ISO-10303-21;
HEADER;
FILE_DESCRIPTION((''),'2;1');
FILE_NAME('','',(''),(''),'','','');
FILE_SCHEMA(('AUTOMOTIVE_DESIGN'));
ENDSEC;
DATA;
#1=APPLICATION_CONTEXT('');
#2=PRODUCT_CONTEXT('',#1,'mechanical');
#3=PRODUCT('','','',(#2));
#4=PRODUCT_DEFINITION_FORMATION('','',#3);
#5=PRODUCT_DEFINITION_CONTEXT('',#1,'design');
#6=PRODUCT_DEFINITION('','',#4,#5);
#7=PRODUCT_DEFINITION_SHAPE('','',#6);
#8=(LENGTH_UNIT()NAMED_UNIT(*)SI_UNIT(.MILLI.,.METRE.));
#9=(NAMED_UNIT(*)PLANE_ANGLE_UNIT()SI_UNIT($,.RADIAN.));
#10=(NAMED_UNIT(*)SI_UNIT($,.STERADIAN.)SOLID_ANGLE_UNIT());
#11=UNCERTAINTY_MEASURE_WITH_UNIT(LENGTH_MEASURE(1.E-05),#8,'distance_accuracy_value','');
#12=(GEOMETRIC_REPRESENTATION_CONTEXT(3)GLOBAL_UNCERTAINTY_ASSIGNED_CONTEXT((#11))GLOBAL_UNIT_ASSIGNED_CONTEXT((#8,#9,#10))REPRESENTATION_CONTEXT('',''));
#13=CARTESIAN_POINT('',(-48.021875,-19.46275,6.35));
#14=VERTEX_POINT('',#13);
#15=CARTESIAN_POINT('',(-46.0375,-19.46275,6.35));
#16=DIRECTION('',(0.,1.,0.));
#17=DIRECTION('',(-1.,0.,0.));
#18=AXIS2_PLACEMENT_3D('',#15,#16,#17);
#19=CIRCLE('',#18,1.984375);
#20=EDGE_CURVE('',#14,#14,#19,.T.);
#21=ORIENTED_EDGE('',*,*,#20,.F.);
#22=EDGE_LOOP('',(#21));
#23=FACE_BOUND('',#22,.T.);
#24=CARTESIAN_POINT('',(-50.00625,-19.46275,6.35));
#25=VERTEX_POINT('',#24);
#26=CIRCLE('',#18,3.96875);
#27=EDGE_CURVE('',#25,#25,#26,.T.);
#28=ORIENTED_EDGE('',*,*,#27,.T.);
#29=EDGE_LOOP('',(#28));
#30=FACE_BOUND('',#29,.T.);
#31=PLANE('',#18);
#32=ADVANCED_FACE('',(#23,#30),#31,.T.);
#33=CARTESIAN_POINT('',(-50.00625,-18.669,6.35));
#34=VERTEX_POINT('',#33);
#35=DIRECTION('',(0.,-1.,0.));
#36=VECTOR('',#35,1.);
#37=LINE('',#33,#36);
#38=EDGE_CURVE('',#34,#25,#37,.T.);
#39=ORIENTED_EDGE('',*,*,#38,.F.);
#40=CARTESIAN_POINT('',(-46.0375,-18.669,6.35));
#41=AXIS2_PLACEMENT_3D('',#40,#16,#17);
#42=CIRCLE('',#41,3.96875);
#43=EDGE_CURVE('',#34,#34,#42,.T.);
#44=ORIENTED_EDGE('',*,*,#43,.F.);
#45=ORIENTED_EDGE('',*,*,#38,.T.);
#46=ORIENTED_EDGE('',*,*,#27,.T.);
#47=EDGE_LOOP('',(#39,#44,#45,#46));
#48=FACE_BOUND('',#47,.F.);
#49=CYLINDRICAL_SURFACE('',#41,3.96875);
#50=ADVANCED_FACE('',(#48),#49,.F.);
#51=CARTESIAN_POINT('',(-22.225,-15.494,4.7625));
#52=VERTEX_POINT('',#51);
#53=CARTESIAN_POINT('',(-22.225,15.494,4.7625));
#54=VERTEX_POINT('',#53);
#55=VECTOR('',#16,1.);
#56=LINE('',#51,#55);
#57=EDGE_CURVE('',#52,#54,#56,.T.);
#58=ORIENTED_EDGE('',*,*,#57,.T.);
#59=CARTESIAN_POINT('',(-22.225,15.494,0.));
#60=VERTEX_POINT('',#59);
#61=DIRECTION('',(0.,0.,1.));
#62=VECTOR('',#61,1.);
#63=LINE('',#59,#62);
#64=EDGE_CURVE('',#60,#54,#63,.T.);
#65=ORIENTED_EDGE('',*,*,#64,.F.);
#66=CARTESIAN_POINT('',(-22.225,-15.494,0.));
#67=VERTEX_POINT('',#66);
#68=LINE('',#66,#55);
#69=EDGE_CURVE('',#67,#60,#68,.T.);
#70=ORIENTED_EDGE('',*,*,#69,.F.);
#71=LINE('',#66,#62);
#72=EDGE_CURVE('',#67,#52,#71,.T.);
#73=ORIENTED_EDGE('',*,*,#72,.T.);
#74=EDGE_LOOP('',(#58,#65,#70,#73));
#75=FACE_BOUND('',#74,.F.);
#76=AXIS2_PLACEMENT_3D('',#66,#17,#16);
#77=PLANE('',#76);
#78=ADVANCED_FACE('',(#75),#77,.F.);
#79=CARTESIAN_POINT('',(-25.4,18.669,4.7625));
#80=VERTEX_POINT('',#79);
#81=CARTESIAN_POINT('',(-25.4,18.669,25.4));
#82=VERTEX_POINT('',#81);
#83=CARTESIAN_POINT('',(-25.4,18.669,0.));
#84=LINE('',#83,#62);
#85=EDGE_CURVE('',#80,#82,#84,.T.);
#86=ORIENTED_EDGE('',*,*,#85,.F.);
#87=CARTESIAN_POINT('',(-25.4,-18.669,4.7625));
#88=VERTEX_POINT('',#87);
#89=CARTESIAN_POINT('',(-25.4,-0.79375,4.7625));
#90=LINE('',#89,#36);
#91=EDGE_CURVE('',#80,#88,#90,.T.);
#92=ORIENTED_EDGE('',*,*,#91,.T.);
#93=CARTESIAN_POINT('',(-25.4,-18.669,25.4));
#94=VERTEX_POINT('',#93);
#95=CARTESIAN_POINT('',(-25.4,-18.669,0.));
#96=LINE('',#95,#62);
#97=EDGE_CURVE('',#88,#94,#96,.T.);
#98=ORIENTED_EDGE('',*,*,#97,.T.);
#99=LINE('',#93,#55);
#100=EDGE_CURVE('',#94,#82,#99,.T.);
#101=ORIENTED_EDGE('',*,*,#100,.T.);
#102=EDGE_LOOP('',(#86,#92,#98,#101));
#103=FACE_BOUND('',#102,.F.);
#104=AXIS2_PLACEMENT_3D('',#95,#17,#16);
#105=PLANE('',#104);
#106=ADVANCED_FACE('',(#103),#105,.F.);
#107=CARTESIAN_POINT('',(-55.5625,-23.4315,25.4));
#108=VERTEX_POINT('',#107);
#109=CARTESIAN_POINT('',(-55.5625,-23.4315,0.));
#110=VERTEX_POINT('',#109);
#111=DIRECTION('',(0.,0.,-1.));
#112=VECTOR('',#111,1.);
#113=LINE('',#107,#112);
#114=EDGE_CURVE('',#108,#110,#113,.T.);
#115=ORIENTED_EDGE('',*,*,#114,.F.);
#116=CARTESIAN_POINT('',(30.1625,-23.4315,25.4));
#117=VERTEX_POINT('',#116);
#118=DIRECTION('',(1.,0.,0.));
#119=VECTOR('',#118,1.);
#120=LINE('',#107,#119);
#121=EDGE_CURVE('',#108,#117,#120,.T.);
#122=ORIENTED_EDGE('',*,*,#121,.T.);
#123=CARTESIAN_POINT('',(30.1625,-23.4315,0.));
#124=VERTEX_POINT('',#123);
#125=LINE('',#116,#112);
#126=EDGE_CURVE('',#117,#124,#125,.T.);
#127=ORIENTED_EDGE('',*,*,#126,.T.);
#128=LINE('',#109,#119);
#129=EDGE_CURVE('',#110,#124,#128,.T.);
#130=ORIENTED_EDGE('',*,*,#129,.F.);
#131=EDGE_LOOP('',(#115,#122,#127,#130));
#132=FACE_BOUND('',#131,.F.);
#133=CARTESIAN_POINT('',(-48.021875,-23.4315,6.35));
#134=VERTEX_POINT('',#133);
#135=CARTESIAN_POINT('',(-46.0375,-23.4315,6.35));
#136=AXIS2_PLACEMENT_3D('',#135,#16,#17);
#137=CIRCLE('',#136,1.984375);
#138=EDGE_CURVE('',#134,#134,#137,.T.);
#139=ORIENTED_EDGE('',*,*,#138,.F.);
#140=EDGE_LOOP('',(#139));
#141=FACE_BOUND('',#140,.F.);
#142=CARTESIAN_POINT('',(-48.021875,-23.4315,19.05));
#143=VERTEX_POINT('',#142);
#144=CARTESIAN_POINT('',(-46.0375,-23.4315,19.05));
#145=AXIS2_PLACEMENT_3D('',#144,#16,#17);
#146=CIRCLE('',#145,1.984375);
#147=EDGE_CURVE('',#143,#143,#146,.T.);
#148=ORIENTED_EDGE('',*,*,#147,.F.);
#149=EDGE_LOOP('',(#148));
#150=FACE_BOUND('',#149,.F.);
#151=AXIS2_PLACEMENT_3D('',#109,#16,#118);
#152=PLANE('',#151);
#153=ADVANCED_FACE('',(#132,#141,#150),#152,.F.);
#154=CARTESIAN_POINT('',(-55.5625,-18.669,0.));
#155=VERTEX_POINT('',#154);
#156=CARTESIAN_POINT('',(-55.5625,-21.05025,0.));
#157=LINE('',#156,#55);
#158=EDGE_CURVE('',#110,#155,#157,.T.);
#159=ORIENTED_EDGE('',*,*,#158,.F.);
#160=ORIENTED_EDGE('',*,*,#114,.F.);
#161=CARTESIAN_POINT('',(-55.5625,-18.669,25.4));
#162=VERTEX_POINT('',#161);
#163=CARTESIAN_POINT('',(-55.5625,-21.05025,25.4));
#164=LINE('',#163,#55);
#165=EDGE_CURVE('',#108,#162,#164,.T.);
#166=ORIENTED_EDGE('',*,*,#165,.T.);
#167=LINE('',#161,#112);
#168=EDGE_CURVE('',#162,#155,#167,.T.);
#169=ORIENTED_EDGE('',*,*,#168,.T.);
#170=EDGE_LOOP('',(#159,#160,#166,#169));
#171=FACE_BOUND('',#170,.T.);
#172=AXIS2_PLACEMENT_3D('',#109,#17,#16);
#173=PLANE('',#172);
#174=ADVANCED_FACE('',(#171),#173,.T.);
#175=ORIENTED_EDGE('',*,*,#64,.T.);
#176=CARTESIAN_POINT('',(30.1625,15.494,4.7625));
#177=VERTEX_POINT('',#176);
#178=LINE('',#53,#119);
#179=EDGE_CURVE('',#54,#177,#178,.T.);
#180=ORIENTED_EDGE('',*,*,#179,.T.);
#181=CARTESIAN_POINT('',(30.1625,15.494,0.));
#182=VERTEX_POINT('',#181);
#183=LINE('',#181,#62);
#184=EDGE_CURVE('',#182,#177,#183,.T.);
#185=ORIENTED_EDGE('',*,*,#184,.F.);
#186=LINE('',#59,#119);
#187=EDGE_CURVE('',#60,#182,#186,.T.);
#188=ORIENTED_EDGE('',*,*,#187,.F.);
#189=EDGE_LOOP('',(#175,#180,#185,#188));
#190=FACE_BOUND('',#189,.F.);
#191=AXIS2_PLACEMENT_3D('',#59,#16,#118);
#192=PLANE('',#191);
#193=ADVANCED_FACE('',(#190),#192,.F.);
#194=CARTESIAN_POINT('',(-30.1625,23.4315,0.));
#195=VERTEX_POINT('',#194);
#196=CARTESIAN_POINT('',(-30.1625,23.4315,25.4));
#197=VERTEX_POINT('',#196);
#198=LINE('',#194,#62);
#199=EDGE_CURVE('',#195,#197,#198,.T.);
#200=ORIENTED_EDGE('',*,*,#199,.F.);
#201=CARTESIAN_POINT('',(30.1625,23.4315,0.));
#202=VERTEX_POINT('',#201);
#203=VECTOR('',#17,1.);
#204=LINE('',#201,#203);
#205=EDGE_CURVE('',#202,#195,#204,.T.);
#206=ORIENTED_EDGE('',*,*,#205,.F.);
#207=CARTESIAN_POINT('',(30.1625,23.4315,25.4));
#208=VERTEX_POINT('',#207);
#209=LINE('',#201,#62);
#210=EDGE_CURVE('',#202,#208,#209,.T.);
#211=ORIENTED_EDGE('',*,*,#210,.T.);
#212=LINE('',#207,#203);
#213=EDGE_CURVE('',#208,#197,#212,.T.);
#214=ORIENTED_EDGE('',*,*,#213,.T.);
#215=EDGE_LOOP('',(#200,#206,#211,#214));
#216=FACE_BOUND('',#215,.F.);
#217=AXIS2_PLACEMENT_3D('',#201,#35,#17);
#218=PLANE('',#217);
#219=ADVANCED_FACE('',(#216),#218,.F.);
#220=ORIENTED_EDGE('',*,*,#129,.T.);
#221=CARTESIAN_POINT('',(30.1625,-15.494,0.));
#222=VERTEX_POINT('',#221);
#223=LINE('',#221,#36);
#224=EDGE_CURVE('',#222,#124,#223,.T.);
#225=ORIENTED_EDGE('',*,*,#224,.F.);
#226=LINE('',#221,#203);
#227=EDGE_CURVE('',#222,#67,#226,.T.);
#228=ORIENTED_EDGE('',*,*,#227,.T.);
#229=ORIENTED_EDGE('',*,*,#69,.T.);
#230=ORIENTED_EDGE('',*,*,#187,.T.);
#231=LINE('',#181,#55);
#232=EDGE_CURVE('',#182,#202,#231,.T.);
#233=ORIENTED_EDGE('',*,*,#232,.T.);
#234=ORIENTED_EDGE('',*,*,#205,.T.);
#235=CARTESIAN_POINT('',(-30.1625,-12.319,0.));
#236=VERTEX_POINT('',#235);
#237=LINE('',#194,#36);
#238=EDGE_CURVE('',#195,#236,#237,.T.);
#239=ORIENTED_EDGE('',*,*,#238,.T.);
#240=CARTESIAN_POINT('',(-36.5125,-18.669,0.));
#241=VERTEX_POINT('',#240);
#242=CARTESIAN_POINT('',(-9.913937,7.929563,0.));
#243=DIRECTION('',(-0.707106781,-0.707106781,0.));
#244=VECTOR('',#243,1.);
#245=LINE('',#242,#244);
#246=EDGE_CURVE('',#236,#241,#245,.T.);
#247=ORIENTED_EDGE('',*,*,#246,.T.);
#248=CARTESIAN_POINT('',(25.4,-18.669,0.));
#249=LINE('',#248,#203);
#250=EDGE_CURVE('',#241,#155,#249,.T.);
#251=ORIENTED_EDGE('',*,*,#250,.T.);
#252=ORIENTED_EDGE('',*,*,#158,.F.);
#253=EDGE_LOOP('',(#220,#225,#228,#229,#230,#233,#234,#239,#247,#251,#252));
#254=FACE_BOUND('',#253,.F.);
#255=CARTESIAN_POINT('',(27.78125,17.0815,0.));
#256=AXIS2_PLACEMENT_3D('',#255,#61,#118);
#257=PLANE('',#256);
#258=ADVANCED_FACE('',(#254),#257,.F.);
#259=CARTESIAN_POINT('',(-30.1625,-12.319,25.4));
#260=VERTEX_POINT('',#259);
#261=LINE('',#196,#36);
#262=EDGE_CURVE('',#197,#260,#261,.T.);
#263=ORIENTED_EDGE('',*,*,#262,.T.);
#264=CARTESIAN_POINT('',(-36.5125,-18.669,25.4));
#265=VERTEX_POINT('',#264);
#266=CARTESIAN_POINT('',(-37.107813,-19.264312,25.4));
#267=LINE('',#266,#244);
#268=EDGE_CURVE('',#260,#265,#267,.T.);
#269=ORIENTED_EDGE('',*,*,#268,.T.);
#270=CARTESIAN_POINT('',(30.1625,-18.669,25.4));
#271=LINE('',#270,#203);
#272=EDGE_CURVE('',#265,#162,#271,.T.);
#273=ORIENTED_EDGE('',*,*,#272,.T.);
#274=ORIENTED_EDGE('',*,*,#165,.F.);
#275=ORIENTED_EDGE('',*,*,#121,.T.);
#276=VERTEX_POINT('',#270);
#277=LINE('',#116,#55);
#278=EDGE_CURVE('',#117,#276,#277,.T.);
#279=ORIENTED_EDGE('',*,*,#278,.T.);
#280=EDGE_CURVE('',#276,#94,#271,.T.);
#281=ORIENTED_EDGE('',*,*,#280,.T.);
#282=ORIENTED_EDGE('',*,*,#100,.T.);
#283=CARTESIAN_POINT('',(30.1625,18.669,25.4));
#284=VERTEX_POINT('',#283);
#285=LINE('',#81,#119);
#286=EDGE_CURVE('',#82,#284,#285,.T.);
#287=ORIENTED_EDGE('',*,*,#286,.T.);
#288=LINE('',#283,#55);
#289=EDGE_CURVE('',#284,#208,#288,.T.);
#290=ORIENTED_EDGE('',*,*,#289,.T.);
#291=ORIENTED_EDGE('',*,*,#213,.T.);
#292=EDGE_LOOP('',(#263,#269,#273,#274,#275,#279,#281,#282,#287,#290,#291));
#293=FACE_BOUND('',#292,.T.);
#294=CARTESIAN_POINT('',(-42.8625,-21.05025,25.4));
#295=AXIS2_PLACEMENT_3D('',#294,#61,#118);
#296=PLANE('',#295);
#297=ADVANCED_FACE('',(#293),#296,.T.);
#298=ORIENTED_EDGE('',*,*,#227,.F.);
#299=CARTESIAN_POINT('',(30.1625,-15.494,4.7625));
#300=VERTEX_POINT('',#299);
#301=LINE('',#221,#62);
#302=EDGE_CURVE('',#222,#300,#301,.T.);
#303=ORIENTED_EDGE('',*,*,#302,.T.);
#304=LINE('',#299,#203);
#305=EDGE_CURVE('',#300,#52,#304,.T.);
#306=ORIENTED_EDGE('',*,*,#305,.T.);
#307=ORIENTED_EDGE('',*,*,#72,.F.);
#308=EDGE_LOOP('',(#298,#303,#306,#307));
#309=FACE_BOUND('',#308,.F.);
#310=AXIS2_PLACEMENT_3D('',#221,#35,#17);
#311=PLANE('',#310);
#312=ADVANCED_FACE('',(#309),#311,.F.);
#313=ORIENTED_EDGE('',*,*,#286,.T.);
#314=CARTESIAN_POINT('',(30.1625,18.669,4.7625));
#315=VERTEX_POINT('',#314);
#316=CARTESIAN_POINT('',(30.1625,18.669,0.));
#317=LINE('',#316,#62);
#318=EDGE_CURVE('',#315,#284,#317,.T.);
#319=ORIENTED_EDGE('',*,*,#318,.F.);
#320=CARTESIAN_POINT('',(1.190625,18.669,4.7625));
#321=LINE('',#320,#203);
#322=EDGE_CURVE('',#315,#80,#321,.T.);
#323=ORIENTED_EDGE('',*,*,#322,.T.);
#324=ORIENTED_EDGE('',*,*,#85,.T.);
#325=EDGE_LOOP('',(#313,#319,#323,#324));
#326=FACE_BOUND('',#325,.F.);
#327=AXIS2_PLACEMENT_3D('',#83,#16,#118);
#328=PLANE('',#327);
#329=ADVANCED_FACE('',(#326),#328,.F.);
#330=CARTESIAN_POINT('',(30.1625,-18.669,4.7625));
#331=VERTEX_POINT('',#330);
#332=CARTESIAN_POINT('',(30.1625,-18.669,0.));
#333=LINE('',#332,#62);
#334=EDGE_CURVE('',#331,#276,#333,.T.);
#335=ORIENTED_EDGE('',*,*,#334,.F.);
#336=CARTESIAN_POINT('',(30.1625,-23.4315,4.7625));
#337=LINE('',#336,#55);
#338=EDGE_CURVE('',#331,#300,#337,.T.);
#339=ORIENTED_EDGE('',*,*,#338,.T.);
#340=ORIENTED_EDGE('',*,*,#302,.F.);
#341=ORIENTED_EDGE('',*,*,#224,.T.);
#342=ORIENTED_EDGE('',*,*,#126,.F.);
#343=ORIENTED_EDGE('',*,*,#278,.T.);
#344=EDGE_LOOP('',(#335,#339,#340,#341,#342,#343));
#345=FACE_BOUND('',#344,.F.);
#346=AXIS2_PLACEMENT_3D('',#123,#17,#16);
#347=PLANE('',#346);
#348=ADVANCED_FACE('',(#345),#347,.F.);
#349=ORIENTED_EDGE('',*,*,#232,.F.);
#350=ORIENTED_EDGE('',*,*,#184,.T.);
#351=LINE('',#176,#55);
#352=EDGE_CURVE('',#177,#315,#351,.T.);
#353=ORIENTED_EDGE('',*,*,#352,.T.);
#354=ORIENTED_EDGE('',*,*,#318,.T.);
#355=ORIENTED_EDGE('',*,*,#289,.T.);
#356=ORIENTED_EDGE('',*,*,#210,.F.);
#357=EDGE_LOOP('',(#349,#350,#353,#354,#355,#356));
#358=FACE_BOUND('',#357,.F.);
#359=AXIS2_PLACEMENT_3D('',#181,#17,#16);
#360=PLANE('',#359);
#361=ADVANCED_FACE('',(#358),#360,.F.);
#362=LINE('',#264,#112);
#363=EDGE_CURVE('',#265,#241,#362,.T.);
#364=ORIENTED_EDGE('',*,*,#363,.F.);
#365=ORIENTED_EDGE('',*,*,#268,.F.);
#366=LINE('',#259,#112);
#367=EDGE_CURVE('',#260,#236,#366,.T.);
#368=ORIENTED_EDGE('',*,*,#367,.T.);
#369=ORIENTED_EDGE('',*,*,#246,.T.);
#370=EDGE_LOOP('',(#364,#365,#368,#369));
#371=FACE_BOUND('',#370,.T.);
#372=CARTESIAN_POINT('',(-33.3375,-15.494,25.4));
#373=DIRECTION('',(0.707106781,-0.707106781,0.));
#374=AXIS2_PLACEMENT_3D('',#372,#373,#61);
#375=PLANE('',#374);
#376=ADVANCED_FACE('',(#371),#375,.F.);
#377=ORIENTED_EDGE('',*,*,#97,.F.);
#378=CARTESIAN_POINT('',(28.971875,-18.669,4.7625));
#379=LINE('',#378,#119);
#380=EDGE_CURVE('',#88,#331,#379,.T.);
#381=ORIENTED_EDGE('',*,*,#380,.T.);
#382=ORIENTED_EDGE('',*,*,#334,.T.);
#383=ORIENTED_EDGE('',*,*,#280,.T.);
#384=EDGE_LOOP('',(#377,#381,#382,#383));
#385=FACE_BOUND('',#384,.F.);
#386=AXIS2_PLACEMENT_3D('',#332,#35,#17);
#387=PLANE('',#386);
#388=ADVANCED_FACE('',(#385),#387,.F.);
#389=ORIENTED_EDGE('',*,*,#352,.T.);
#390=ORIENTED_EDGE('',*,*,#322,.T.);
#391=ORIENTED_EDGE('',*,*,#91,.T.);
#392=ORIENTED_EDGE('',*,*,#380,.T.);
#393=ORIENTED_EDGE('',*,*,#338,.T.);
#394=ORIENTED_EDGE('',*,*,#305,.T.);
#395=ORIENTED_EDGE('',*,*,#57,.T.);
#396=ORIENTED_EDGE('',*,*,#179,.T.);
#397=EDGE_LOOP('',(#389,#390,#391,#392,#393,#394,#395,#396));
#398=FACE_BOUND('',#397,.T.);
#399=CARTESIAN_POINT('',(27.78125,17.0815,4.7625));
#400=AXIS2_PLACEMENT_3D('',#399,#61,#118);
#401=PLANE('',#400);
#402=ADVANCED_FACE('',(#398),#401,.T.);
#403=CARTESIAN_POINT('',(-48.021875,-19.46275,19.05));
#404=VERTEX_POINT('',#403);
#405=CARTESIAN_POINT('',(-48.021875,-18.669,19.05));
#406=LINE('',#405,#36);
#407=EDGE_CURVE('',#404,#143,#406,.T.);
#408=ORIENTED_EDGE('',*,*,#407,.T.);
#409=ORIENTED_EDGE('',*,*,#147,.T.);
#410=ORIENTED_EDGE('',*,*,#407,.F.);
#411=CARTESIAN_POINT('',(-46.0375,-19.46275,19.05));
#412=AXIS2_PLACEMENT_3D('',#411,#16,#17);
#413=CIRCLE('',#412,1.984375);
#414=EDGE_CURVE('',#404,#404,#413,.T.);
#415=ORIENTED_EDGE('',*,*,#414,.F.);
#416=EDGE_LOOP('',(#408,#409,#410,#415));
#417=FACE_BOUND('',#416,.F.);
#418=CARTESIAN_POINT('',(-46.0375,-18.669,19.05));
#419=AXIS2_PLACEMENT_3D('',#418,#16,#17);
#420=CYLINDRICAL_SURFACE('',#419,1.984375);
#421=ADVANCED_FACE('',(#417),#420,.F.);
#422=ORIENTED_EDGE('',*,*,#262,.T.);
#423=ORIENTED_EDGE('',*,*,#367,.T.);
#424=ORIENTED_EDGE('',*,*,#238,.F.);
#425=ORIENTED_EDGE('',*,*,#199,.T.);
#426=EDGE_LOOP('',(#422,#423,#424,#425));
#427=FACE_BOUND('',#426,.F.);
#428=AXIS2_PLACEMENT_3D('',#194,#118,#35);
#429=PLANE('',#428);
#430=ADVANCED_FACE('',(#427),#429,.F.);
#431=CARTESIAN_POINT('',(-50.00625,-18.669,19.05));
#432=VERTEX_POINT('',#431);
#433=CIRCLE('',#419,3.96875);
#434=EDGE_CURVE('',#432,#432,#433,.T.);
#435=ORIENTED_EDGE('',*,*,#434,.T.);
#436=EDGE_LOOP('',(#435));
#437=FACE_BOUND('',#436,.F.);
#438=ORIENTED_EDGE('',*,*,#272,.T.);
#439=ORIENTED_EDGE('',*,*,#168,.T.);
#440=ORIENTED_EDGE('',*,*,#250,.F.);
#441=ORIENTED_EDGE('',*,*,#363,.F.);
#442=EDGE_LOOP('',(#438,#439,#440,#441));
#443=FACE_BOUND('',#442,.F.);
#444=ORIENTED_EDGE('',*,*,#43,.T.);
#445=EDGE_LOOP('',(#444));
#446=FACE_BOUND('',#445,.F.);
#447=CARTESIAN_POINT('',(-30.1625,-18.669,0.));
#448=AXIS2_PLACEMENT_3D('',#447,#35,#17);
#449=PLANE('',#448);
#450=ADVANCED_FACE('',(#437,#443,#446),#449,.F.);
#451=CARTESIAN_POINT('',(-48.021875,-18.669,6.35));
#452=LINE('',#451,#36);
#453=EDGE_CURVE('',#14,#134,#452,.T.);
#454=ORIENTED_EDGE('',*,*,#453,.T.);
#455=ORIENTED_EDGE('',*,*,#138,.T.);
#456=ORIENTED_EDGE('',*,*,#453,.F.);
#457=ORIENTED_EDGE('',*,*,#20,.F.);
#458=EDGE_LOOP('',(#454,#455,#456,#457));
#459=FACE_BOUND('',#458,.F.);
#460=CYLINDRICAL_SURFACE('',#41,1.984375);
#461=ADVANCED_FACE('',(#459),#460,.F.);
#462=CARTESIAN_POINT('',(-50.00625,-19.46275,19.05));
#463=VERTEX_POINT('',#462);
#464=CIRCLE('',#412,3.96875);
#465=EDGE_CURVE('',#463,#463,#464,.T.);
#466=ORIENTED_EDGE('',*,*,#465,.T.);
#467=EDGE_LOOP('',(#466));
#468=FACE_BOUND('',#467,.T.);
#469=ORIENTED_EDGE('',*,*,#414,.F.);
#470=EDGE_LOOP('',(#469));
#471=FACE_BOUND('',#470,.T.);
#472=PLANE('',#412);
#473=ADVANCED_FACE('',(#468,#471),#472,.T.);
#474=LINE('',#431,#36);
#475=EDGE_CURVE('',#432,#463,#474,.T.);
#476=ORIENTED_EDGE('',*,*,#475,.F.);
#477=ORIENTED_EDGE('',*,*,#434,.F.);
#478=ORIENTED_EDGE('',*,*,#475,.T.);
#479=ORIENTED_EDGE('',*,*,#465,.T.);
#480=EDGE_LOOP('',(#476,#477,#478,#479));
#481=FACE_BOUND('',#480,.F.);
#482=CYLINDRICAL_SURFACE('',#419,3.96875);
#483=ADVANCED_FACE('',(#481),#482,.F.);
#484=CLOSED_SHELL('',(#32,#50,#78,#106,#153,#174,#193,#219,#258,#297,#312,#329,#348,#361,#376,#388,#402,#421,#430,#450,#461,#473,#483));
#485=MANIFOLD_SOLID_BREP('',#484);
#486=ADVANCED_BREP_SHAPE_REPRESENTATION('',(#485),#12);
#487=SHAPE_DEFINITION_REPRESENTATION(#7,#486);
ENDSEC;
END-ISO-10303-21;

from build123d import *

# Parameters (mm, degrees)
F0_W     = 4.7625
F0_H     = 3.175
F0_W_2   = 25.4
F0_H_2   = 4.7625
F1_DEPTH = 4.7625
F2_DEPTH = 25.4
F3_SIZE  = 6.35
F4_R     = 3.96875
F4_R_2   = 1.984375
F5_DEPTH = 0.79375
F6_DEPTH = 4.7625


with BuildPart() as f1:
    # F0 (on Top) → F1 (new body)
    with BuildSketch(Plane.XY):
        with Locations((27.78125, 17.0815)):
            Rectangle(F0_W, F0_H)
        with Locations((27.78125, -17.0815)):
            Rectangle(F0_W, F0_H)
        with Locations((-42.8625, -21.05025)):
            Rectangle(F0_W_2, F0_H_2)
        Polygon((25.4, -18.669), (-25.4, -18.669), (-30.1625, -18.669), (-30.1625, -23.4315), (30.1625, -23.4315), (30.1625, -18.669), align=None)
        Polygon((-25.4, 18.669), (25.4, 18.669), (30.1625, 18.669), (30.1625, 23.4315), (-30.1625, 23.4315), (-30.1625, -18.669), (-25.4, -18.669), align=None)
        Polygon((25.4, 15.494), (25.4, 18.669), (-25.4, 18.669), (-25.4, -18.669), (25.4, -18.669), (25.4, -15.494), (-22.225, -15.494), (-22.225, 15.494), align=None)
    extrude(amount=F1_DEPTH)

    # F0 (on Top) → F2 (join)
    with BuildSketch(Plane.XY):
        with Locations((-42.8625, -21.05025)):
            Rectangle(F0_W_2, F0_H_2)
        Polygon((25.4, -18.669), (-25.4, -18.669), (-30.1625, -18.669), (-30.1625, -23.4315), (30.1625, -23.4315), (30.1625, -18.669), align=None)
        Polygon((-25.4, 18.669), (25.4, 18.669), (30.1625, 18.669), (30.1625, 23.4315), (-30.1625, 23.4315), (-30.1625, -18.669), (-25.4, -18.669), align=None)
    extrude(amount=F2_DEPTH)

    # F3
    f3_edges = [f1.edges().sort_by_distance(p)[0] for p in [
        (-30.1625, -18.669, 12.7),
    ]]
    chamfer(f3_edges, length=F3_SIZE)

    # F4 (on face) → F5 (cut)
    with BuildSketch(Plane(origin=(0, -18.669, 0), x_dir=(-1, 0, 0), z_dir=(0, 1, 0))):
        with Locations((46.0375, 6.35)):
            Circle(F4_R)
        with Locations((46.0375, 6.35)):
            Circle(F4_R_2, mode=Mode.SUBTRACT)
        with Locations((46.0375, 19.05)):
            Circle(F4_R)
        with Locations((46.0375, 19.05)):
            Circle(F4_R_2, mode=Mode.SUBTRACT)
    extrude(amount=-F5_DEPTH, mode=Mode.SUBTRACT)

    # F6 (cut, through all): faces of the model
    f6_faces = [f1.faces().sort_by_distance(p)[0] for p in [
        (-46.0375, -18.669, 6.35),
        (-46.0375, -18.669, 19.05),
    ]]
    extrude(f6_faces, amount=-F6_DEPTH, mode=Mode.SUBTRACT)


solid = f1.part
